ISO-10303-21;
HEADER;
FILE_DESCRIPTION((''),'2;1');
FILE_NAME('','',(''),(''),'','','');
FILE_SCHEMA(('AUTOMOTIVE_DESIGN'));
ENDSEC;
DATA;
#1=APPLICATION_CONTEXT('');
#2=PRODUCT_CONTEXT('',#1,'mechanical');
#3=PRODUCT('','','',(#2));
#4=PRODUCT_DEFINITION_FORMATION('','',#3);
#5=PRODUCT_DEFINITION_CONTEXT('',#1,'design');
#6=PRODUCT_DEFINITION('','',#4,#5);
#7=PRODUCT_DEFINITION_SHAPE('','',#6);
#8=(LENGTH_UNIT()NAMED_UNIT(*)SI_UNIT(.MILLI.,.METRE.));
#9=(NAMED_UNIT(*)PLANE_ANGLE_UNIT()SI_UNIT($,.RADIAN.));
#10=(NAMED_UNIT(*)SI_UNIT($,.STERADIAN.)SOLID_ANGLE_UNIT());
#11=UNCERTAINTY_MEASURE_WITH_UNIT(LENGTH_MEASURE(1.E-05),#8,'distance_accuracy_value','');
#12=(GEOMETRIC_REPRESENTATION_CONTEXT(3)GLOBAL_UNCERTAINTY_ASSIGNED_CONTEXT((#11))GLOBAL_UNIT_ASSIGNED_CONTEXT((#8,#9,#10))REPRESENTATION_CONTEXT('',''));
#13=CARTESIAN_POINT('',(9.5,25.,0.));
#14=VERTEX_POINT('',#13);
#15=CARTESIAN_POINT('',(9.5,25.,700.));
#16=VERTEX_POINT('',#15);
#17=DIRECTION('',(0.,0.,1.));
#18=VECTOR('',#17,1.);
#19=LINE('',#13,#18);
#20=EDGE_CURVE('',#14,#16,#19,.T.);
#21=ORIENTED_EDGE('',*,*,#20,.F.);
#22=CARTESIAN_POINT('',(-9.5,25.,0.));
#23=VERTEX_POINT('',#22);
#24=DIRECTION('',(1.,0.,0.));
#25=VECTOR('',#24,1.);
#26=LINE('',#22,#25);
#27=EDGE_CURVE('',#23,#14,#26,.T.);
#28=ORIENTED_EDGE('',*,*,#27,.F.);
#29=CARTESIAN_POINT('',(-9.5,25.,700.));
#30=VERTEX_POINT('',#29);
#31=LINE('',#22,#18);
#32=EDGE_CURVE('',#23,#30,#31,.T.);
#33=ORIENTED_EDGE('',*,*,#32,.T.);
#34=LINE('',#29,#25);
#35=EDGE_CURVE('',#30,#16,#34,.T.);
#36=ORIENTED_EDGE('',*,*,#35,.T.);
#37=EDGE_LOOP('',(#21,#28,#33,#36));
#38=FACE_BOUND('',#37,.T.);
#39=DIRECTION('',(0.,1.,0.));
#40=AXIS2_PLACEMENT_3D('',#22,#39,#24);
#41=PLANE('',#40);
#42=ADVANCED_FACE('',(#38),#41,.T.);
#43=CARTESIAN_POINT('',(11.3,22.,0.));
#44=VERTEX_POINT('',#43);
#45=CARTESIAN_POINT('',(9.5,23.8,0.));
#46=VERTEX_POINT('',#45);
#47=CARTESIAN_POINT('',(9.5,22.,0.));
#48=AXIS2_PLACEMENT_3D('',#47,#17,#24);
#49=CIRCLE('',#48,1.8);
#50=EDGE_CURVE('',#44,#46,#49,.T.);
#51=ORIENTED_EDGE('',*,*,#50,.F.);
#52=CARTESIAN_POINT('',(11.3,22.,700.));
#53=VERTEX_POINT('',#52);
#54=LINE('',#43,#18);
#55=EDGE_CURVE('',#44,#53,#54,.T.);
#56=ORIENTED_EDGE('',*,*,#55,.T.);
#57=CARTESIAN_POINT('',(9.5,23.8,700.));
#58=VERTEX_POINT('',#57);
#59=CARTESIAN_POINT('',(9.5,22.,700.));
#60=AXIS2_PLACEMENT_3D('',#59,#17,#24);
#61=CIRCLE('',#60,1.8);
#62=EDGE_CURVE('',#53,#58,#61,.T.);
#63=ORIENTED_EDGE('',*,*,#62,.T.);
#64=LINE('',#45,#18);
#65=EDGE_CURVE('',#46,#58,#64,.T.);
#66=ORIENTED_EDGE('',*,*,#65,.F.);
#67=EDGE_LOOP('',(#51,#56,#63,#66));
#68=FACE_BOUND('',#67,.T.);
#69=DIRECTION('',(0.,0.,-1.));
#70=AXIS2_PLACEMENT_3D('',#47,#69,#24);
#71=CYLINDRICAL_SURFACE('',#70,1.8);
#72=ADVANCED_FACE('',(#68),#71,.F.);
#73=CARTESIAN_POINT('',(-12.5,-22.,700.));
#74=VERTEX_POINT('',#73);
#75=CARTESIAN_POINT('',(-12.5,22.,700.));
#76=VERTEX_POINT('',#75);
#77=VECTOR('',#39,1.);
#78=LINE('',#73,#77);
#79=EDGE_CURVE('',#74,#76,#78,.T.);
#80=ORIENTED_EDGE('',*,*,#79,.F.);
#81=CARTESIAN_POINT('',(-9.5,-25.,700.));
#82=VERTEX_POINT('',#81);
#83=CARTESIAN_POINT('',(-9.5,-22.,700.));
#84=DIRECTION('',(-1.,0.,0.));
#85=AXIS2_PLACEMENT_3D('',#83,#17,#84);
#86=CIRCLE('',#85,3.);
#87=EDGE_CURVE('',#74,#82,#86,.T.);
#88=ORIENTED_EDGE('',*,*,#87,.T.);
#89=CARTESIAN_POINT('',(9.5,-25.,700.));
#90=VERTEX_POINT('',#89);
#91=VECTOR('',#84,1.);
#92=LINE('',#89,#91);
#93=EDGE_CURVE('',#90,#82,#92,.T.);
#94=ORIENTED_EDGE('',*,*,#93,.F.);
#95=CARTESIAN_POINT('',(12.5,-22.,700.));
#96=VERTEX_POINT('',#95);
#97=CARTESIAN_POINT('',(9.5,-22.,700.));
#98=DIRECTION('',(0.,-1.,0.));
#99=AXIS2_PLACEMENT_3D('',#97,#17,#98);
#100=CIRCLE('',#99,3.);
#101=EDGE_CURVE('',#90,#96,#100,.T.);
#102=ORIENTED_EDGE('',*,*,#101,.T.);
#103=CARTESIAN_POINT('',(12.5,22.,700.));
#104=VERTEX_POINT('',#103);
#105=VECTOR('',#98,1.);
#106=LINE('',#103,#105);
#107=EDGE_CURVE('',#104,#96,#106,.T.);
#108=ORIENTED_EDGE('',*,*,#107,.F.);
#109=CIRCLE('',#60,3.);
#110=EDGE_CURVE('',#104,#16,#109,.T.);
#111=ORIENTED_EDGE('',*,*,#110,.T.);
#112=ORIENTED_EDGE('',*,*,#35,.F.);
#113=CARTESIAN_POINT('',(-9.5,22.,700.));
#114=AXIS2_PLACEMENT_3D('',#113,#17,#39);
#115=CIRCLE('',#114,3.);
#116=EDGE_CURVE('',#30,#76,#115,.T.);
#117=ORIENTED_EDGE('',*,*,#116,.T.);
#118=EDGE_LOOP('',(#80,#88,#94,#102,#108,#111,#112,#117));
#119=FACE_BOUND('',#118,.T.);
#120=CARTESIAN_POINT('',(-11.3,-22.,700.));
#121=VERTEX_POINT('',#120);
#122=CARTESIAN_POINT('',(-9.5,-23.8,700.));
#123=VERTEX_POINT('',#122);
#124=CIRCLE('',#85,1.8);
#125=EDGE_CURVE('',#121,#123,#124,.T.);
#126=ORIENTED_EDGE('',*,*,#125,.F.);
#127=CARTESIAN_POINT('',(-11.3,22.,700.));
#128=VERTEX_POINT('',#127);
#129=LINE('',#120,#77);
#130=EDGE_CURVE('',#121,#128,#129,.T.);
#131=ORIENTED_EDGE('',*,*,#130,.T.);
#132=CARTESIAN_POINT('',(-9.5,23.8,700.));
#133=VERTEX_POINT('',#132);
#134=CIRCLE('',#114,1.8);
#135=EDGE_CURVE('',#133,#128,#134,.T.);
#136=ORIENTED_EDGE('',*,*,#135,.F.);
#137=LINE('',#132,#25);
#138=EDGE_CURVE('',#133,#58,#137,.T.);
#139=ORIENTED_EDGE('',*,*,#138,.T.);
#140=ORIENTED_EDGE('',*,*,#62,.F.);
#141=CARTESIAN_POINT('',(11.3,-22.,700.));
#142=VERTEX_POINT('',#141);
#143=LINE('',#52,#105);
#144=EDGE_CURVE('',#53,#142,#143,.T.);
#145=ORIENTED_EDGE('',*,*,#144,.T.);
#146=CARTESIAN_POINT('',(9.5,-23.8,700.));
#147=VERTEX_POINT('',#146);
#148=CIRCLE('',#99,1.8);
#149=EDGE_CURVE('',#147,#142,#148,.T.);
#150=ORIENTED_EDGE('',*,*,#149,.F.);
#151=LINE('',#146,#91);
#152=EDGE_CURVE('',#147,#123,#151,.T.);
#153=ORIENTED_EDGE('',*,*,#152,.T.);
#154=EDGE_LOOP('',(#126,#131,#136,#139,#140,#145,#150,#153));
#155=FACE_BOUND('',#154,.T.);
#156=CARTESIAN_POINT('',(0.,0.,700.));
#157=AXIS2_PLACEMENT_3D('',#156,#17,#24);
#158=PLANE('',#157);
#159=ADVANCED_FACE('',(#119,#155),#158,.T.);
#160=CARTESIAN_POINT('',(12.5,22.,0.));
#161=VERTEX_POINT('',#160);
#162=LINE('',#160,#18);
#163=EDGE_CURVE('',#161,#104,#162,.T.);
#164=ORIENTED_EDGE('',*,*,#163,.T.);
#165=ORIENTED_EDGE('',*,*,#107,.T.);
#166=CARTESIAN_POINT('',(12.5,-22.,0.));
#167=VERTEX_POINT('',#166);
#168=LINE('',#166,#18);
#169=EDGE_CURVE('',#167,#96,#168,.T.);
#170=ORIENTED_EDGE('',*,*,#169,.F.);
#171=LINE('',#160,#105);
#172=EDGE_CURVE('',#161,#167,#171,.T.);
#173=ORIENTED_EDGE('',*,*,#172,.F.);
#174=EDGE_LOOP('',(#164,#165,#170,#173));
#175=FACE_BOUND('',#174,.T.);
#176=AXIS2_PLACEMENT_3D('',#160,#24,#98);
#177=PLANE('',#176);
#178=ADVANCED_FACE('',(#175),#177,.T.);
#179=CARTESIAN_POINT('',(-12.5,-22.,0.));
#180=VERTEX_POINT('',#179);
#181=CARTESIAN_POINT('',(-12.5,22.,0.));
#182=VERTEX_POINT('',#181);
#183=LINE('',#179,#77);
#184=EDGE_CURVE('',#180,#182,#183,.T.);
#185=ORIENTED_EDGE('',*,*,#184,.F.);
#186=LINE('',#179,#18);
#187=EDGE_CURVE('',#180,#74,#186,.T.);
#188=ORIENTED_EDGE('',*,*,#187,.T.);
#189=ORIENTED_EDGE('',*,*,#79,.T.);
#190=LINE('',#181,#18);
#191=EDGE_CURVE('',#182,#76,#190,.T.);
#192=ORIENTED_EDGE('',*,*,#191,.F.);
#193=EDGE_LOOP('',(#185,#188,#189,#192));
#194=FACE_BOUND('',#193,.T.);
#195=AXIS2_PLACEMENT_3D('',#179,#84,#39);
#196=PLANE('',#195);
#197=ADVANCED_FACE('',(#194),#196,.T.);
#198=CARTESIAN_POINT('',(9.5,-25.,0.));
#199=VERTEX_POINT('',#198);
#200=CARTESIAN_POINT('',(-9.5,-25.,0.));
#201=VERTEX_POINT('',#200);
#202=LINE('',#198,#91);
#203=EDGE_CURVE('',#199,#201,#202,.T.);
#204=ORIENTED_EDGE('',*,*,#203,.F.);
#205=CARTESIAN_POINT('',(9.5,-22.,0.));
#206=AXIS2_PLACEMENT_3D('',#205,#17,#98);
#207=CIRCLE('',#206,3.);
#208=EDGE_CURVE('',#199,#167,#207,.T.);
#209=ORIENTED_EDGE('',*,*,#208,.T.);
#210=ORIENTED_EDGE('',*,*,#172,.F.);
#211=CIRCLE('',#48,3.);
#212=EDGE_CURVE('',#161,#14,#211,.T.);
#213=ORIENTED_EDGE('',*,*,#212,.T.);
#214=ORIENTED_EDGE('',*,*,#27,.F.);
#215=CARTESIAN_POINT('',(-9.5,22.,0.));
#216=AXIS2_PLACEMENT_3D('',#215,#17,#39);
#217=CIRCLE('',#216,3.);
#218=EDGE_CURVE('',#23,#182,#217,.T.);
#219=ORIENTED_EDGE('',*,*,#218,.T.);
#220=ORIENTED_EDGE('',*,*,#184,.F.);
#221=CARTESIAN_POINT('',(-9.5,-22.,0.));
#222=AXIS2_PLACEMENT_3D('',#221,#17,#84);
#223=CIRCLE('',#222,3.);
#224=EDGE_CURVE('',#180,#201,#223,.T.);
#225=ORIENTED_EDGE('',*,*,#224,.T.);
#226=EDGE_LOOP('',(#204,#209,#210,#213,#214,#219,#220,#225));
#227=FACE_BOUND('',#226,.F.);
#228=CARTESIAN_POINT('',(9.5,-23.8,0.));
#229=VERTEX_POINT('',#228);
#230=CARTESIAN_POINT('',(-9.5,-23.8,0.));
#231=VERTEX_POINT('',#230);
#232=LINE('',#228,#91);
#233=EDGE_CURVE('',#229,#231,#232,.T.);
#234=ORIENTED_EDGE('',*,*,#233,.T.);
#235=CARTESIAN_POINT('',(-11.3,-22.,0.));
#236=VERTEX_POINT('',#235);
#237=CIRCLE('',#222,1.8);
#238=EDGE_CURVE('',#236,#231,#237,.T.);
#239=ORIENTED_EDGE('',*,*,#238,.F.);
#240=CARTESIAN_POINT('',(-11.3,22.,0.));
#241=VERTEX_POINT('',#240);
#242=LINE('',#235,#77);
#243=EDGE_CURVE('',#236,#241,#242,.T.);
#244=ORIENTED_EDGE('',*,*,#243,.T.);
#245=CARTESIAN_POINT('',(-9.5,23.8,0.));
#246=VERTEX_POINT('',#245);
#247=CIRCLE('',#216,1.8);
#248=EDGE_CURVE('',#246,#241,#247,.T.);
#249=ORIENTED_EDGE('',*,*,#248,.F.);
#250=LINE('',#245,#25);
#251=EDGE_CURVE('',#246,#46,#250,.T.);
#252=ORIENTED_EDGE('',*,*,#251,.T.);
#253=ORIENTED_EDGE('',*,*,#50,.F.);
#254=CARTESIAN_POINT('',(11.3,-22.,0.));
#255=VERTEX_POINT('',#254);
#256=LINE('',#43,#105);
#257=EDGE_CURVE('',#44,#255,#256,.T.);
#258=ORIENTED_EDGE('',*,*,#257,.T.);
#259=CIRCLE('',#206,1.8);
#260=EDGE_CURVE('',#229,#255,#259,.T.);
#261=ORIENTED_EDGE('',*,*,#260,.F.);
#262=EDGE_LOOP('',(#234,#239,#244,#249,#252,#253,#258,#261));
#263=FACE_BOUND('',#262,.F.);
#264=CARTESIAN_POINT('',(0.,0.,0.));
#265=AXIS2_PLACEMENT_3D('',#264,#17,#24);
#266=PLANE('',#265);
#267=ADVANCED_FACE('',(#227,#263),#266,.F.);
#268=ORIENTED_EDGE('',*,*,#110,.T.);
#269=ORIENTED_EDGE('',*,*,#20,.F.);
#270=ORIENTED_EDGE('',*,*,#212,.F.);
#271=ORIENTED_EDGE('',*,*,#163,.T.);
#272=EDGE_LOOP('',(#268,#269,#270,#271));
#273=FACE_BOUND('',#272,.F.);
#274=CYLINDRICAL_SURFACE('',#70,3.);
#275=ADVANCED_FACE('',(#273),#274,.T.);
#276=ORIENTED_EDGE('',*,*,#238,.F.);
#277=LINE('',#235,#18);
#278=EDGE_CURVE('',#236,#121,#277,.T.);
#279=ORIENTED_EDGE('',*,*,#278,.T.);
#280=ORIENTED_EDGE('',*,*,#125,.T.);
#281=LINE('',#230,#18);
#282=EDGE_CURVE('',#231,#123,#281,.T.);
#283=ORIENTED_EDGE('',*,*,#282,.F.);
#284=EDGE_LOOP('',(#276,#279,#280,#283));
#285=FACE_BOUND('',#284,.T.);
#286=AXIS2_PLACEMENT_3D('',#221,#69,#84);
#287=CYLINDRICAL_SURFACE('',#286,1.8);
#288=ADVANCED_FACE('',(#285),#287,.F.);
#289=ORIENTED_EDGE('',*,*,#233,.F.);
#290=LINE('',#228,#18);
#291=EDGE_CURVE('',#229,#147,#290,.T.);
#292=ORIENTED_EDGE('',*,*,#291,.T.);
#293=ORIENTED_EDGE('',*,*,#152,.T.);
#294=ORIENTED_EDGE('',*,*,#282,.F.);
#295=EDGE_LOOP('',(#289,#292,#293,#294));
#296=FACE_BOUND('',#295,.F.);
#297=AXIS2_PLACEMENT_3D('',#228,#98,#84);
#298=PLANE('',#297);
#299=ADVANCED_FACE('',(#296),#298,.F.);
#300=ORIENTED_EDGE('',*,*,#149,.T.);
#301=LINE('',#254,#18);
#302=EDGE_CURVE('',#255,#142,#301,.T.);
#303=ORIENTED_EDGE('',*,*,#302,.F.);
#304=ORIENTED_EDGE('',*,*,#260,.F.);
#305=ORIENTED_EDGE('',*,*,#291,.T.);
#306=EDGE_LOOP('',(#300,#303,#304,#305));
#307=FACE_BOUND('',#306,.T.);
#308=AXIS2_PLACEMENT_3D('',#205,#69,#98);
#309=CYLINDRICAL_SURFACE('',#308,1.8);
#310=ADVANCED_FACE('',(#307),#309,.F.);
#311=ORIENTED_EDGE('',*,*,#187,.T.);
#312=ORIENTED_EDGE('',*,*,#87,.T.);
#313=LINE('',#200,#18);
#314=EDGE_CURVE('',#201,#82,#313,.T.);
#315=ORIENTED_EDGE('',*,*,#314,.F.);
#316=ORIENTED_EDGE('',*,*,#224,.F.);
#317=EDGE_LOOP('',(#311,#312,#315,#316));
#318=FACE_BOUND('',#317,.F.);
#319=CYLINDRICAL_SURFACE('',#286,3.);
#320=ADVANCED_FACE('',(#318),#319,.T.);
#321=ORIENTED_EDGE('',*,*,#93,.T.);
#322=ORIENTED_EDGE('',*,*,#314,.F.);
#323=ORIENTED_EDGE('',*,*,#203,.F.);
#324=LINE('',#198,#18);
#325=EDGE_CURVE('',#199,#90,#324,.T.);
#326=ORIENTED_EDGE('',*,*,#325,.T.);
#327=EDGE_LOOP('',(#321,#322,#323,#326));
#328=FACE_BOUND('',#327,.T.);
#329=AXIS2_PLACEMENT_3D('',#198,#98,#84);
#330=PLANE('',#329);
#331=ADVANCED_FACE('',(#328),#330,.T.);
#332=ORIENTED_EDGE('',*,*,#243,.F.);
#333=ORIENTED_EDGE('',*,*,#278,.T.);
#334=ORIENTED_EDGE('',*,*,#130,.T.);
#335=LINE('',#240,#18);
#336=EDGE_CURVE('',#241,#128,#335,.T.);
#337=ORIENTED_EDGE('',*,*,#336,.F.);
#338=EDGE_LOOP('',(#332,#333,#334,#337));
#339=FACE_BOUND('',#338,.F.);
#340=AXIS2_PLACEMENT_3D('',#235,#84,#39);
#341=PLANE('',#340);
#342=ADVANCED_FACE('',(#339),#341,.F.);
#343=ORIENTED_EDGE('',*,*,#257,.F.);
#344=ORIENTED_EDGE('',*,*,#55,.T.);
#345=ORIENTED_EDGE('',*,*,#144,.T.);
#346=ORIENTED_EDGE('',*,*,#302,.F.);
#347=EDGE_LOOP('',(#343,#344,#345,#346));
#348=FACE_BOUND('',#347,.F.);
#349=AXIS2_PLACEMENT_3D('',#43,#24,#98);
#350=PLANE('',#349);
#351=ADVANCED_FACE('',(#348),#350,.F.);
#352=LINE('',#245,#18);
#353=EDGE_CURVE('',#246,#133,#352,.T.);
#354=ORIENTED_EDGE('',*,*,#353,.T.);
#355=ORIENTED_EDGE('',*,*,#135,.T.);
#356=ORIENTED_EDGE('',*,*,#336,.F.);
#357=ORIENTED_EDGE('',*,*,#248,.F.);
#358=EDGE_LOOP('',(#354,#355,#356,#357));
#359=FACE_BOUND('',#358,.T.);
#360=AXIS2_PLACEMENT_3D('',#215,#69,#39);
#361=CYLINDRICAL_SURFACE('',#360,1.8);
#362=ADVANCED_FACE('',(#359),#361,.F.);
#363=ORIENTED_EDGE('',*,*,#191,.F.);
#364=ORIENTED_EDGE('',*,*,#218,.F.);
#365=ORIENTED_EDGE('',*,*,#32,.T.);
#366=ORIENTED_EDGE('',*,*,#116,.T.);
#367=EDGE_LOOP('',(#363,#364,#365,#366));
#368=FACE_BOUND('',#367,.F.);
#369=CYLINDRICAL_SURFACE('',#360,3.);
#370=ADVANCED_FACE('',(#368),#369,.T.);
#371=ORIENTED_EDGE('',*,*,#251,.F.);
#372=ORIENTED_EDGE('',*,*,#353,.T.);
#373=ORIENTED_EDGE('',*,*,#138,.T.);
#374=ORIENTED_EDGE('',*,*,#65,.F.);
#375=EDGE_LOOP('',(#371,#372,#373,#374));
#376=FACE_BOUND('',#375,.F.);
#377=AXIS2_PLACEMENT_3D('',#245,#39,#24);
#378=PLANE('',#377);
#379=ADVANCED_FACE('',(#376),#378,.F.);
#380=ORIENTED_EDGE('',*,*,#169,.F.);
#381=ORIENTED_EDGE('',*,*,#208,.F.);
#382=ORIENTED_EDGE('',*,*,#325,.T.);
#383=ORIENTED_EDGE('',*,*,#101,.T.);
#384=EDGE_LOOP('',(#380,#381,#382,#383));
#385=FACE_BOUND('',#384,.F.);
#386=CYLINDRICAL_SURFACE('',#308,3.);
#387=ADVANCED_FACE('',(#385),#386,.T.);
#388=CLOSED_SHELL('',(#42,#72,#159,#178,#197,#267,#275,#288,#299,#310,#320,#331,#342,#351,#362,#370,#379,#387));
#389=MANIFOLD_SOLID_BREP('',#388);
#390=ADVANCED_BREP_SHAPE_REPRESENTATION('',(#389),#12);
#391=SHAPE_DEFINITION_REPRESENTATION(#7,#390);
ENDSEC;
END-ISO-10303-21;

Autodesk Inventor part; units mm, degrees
ref_plane "YZ Plane" through (0, 0, 0) normal (1, 0, 0) x (0, 1, 0)
ref_plane "Start plane" through (0, 0, 0) normal (0, 0, 1) x (1, 0, 0)
ref_plane "End plane" through (0, 0, 700) normal (0, 0, 1) x (1, 0, 0)
sketch "Sketch" plane through (0, 0, 0) normal (0, 0, 1) x (1, 0, 0)
  line L0 (-12.5, -22) -> (-12.5, 22)
  line L1 (-9.5, 25) -> (9.5, 25)
  line L2 (12.5, 22) -> (12.5, -22)
  line L3 (9.5, -25) -> (-9.5, -25)
  arc A0 (-12.5, -22) -> (-9.5, -25) centre (-9.5, -22) ccw
  arc A1 (12.5, 22) -> (9.5, 25) centre (9.5, 22) ccw
  arc A2 (-9.5, 25) -> (-12.5, 22) centre (-9.5, 22) ccw
  arc A3 (9.5, -25) -> (12.5, -22) centre (9.5, -22) ccw
  arc A4 (-9.5, 23.8) -> (-11.3, 22) centre (-9.5, 22) ccw
  line L4 (-9.5, 23.8) -> (9.5, 23.8)
  arc A5 (11.3, 22) -> (9.5, 23.8) centre (9.5, 22) ccw
  line L5 (11.3, 22) -> (11.3, -22)
  arc A6 (9.5, -23.8) -> (11.3, -22) centre (9.5, -22) ccw
  line L6 (9.5, -23.8) -> (-9.5, -23.8)
  arc A7 (-11.3, -22) -> (-9.5, -23.8) centre (-9.5, -22) ccw
  line L7 (-11.3, -22) -> (-11.3, 22)
  line L8 (0, 37.1021) -> (0, -37.1021) construction
  line L9 (-23.1021, 0) -> (23.1021, 0) construction
  dimension "d7" = 3
  dimension "d9" = 25
  dimension "d11" = 50
  dimension "d12" = 1.2
  dimension "d15" = 12.5
  dimension "d16" = 25
extrude "Body" add sketch "Sketch" along normal up to surface (700 mm away) from surface at 0
sketch "Sketch3" plane through (0, 0, 0) normal (0, 0, 1) x (1, 0, 0)
  line L0 (0, 0) -> (10, 0)
ref_plane "Work Plane3" through (0, 0, 0) normal (0, -1, 0) x (1, 0, 0)
sketch "Sketch4" plane through (0, 0, 0) normal (0, -1, 0) x (1, 0, 0)
  line L0 (-2, 0) -> (12, 0)
  line L1 (-2, 700) -> (12, 700)
  dimension "d18" = 700
equation "\"d7\" = G_IR"
equation "\"d9\" = G_W"
equation "\"d11\" = G_H"
equation "\"d12\" = G_T"
equation "\"d15\" = 0.5 * d9"
equation "\"d16\" = 0.5 * d11"
equation "\"d3\" = G_L"
equation "\"G_W\" = 25"
equation "\"G_H\" = 50"
equation "\"G_T\" = 1.2"
equation "\"G_IR\" = 3"
equation "\"G_L\" = d18"
equation "\"G_OFFSET_START\" = 0"
equation "\"G_OFFSET_END\" = 0"
properties part number "Steel J 50x25x1.2-700 GB/T 6728-2002" material "Steel, Mild"
